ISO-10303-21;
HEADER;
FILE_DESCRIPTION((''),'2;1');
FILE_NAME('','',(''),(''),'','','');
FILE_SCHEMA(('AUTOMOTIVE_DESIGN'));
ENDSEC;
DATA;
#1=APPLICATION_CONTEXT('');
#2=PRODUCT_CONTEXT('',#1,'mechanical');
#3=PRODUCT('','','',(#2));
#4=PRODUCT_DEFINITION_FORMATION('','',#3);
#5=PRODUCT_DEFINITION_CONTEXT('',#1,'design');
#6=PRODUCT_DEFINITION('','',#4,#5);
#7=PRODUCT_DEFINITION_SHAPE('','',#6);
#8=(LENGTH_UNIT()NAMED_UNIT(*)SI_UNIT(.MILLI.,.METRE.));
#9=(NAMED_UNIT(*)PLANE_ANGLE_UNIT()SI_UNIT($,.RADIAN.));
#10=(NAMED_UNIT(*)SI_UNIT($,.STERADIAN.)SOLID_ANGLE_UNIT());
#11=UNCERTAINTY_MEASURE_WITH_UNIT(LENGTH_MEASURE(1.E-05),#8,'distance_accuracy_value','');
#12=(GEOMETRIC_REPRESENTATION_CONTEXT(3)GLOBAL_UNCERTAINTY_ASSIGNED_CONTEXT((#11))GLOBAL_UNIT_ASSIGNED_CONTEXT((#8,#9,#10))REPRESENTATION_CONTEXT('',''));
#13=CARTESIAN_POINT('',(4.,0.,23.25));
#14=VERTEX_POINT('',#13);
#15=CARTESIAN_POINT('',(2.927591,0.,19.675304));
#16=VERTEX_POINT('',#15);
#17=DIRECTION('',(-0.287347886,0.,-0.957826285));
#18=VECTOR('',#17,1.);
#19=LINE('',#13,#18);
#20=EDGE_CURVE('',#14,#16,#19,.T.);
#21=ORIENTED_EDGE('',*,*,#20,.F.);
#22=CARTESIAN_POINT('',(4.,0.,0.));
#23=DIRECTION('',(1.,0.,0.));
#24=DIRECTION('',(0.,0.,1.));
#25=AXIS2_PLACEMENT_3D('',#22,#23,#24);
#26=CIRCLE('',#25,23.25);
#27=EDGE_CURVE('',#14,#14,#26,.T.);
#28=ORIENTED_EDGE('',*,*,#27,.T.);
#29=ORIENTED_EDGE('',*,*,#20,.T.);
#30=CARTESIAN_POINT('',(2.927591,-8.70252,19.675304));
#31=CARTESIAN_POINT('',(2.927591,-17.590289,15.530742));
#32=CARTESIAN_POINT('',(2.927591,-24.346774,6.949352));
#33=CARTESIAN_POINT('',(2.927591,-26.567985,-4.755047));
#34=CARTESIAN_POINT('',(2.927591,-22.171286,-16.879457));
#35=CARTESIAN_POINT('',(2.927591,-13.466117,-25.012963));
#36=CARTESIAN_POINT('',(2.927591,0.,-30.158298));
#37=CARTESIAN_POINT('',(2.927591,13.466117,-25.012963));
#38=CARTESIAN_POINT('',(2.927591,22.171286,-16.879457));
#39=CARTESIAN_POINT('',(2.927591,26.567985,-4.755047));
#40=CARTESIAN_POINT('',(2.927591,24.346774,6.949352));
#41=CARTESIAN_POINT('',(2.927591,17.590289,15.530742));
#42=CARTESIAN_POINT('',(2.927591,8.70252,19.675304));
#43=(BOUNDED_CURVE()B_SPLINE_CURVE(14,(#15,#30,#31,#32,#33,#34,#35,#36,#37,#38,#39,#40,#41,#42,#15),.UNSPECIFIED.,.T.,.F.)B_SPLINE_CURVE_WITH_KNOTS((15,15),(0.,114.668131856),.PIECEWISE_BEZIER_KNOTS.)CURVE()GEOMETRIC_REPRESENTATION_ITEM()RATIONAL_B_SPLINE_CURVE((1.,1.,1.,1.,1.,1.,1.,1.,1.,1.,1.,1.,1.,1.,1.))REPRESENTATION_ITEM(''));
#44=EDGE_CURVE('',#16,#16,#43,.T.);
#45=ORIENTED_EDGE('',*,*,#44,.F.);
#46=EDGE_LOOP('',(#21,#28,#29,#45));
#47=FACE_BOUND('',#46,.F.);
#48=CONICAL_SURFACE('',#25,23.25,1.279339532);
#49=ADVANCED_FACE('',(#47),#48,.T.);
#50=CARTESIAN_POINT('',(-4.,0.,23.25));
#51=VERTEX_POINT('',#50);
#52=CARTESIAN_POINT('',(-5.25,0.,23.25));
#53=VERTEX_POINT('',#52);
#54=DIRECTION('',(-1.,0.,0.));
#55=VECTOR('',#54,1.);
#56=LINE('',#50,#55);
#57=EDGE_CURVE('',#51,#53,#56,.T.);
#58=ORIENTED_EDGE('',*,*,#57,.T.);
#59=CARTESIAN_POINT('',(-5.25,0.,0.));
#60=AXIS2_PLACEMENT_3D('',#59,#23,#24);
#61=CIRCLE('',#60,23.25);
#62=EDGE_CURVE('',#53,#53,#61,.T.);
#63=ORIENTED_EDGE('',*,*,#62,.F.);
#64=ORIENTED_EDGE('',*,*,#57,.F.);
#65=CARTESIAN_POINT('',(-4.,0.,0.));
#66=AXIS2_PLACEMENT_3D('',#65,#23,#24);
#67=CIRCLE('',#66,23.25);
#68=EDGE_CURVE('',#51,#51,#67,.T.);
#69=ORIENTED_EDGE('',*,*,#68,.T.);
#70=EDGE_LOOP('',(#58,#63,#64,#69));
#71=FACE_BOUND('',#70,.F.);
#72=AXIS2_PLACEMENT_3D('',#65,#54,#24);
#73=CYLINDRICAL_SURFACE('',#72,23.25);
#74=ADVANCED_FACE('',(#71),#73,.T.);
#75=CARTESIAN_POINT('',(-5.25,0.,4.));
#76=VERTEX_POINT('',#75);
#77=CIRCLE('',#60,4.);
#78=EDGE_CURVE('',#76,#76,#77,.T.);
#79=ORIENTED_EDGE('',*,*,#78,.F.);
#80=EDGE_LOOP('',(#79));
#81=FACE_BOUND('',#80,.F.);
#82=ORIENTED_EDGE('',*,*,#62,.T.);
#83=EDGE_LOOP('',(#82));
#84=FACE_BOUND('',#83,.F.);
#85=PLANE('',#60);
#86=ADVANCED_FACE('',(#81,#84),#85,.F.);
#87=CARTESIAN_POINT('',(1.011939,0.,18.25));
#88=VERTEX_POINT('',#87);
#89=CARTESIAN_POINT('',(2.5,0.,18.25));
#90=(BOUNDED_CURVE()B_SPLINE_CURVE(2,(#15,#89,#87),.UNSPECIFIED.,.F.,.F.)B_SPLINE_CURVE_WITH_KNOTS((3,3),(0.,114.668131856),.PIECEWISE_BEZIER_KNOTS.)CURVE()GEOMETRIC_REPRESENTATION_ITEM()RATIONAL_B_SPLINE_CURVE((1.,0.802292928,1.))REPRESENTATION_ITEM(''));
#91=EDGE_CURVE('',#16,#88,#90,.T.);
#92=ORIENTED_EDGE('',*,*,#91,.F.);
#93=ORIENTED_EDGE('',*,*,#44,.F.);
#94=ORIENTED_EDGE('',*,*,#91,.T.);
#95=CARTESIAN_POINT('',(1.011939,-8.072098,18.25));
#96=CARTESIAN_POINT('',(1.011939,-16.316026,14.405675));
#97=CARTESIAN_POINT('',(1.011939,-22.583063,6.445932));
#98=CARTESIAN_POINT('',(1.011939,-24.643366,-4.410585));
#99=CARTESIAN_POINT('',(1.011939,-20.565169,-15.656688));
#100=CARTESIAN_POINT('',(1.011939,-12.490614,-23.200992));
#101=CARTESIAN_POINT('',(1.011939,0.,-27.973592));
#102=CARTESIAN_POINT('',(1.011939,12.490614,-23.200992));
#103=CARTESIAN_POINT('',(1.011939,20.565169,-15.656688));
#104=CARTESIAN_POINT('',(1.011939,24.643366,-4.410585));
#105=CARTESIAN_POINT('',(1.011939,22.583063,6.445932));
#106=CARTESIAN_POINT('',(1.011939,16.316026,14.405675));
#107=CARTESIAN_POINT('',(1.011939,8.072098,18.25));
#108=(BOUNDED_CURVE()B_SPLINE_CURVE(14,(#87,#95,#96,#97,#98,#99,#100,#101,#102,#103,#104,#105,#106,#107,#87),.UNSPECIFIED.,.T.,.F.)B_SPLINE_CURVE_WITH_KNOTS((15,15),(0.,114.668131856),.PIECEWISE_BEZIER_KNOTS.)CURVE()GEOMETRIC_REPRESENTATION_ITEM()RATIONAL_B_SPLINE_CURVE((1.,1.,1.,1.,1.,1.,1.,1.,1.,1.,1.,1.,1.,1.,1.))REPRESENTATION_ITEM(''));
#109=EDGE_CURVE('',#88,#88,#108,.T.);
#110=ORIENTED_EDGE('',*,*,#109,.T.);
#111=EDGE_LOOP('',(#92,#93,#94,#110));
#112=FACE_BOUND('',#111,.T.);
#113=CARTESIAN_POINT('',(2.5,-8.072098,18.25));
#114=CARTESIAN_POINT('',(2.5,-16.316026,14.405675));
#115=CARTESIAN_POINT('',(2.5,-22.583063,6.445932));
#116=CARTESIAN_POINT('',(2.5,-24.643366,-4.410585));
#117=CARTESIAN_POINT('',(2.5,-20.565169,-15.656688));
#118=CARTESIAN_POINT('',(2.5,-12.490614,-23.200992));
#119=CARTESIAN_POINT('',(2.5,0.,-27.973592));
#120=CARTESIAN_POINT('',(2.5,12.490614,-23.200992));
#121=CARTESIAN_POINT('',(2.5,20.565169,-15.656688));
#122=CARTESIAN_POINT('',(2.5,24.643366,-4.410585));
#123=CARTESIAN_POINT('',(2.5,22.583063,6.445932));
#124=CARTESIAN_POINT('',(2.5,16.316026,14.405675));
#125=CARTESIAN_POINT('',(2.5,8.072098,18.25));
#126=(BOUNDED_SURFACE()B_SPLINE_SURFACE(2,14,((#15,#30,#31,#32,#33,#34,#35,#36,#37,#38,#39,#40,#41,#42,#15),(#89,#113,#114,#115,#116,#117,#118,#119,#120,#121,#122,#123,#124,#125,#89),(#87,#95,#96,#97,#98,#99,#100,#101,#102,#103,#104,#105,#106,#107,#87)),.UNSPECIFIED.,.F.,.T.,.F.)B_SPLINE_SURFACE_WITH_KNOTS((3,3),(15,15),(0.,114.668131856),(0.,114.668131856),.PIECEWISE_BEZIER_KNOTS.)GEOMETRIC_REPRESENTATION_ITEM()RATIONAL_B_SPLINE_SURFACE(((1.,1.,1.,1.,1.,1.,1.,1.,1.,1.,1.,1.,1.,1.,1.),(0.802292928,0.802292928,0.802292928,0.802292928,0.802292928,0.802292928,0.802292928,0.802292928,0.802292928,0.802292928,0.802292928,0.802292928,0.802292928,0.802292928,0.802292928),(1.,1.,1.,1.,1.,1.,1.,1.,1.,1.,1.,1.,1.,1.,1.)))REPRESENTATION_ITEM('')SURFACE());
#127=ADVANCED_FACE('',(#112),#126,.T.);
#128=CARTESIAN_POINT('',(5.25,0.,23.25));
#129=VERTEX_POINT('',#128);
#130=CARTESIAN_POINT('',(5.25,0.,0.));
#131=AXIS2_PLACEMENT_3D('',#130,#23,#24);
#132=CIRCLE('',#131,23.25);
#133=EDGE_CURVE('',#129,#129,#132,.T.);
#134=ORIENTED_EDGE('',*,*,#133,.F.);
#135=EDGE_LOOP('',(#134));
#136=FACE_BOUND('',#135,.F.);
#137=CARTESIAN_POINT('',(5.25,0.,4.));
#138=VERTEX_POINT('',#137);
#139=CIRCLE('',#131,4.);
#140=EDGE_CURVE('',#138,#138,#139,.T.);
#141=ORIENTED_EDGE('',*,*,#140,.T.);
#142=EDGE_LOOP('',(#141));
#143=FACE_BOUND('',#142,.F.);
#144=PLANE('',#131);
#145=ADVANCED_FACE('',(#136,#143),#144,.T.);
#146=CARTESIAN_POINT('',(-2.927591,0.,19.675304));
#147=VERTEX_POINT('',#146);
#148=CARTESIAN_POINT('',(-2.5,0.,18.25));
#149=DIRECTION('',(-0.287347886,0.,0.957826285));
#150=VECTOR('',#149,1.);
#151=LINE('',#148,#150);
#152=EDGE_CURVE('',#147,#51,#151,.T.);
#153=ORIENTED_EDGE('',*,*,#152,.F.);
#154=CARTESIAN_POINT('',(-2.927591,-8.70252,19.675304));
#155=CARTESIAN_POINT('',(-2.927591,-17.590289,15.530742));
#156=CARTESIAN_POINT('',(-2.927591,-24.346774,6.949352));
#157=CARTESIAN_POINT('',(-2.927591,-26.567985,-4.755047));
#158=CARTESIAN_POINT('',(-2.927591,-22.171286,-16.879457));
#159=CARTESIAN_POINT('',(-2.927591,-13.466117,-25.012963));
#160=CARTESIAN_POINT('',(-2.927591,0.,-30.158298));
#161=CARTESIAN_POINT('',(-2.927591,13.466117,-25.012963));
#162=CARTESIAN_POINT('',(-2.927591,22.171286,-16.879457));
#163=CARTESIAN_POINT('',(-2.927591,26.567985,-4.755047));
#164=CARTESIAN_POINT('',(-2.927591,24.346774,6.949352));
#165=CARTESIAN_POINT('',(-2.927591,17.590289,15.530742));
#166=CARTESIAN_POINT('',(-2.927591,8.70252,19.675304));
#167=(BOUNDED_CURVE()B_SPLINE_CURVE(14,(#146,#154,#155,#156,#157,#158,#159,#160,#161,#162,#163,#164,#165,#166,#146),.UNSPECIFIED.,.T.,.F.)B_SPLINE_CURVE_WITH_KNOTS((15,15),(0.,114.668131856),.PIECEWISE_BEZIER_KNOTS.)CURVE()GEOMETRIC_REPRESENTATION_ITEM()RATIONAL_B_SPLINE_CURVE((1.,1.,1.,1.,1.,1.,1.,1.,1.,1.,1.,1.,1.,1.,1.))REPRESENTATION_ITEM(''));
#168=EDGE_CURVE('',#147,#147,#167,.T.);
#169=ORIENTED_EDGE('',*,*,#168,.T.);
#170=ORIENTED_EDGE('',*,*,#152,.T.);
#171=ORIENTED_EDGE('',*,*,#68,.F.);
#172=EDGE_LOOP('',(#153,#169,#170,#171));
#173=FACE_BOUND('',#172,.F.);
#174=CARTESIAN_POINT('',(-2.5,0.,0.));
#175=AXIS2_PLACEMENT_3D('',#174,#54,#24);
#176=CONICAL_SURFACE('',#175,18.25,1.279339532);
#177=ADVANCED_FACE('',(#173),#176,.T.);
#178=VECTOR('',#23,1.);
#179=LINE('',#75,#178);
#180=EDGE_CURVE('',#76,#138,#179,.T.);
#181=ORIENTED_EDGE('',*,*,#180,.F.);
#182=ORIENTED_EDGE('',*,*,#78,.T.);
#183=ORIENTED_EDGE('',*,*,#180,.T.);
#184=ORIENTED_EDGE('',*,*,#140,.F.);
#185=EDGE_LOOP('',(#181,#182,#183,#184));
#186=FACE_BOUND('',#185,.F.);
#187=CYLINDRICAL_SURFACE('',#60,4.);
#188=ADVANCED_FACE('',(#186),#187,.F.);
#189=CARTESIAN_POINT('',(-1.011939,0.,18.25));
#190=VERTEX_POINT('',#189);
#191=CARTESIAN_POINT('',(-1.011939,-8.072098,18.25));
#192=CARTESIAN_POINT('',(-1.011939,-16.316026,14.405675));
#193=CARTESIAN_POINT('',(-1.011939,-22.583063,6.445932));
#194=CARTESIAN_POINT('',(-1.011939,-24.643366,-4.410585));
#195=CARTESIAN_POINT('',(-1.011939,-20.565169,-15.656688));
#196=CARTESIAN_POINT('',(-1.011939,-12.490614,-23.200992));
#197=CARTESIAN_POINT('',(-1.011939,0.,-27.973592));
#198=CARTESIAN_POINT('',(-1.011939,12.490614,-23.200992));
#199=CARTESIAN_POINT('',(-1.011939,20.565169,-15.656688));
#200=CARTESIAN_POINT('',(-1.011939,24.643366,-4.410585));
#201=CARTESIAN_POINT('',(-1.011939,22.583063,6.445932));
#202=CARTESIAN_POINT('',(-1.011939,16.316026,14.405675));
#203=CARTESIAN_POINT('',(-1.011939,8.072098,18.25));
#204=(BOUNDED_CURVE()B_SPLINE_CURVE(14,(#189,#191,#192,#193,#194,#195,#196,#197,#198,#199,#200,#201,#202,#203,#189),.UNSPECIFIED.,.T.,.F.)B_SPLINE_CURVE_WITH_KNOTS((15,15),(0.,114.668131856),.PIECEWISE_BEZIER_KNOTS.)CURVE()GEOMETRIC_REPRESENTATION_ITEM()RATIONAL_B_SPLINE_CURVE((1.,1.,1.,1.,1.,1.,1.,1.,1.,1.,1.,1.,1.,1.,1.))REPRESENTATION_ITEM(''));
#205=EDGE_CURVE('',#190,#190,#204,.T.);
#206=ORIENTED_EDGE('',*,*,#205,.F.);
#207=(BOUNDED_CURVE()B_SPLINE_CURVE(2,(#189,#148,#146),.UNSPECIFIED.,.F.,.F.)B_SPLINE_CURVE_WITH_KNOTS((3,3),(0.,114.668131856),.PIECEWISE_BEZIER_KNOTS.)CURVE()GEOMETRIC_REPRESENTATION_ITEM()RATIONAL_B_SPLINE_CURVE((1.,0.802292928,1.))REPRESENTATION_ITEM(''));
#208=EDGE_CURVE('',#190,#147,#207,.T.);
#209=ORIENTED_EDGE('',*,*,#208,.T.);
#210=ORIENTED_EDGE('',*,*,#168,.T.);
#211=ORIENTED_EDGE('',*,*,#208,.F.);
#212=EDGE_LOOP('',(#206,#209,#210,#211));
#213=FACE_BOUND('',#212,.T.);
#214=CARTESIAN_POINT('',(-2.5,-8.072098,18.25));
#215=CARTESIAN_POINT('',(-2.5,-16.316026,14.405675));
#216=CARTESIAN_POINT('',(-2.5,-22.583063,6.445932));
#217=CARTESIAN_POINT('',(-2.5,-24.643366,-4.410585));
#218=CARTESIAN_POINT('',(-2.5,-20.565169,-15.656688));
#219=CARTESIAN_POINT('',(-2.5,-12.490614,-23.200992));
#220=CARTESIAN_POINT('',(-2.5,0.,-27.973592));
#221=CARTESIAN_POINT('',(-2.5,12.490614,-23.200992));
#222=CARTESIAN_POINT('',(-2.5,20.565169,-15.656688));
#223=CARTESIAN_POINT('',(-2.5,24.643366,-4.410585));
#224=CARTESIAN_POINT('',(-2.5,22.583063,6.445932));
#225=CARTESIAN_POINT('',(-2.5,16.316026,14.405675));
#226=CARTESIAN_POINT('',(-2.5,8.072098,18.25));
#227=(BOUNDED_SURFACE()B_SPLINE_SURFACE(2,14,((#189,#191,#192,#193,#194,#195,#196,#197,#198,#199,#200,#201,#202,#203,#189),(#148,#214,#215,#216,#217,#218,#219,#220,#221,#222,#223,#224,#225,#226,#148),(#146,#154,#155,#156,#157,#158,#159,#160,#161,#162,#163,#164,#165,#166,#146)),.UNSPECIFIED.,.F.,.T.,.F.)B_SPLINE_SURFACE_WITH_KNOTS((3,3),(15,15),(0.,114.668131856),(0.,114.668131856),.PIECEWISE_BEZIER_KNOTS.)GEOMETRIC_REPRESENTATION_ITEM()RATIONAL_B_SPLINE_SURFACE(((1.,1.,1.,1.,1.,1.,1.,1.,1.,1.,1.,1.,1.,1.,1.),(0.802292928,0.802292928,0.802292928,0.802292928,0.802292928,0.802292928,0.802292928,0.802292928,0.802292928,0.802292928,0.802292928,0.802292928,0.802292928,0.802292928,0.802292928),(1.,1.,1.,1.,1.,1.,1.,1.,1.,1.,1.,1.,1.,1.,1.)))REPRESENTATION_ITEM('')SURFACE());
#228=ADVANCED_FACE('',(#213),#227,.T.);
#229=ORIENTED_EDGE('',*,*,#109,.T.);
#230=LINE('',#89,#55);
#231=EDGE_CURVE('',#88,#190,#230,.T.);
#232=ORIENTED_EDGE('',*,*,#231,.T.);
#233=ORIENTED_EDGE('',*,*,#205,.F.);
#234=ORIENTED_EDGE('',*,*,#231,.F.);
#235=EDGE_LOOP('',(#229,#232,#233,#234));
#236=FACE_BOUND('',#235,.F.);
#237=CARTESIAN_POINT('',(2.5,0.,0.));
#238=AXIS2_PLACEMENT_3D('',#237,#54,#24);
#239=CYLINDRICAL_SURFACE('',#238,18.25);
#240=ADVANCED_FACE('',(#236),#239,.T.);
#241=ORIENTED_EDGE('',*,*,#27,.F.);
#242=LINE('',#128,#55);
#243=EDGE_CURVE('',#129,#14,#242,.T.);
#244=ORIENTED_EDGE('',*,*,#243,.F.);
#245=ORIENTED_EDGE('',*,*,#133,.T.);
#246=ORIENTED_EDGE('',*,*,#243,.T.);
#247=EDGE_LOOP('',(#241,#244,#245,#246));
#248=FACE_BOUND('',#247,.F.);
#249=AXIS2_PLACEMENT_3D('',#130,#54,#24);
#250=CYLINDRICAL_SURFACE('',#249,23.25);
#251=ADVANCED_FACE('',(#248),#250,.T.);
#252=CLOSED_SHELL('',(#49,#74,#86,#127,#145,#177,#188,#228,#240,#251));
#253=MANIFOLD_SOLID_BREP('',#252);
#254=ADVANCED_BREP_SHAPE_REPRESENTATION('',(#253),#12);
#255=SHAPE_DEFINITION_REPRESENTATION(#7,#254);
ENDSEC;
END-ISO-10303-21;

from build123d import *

# Parameters (mm, degrees)
F2_R = 2
F3_R = 2


with BuildPart() as f1:
    # F0 (on Front) → F1 (revolve)
    with BuildSketch(Plane.XZ):
        Polygon((0, 18.25), (0, 4), (5.25, 4), (5.25, 23.25), (4, 23.25), (2.5, 18.25), align=None)
        Polygon((-5.25, 4), (0, 4), (0, 18.25), (-2.5, 18.25), (-4, 23.25), (-5.25, 23.25), align=None)
    revolve(axis=Axis((0.717638, 0, 0), (1, 0, 0)))

    # F2
    f2_edges = [f1.edges().sort_by_distance(p)[0] for p in [
        (2.5, 0, -18.25),
    ]]
    fillet(f2_edges, radius=F2_R)

    # F3
    f3_edges = [f1.edges().sort_by_distance(p)[0] for p in [
        (-2.5, 0, -18.25),
    ]]
    fillet(f3_edges, radius=F3_R)


solid = f1.part
